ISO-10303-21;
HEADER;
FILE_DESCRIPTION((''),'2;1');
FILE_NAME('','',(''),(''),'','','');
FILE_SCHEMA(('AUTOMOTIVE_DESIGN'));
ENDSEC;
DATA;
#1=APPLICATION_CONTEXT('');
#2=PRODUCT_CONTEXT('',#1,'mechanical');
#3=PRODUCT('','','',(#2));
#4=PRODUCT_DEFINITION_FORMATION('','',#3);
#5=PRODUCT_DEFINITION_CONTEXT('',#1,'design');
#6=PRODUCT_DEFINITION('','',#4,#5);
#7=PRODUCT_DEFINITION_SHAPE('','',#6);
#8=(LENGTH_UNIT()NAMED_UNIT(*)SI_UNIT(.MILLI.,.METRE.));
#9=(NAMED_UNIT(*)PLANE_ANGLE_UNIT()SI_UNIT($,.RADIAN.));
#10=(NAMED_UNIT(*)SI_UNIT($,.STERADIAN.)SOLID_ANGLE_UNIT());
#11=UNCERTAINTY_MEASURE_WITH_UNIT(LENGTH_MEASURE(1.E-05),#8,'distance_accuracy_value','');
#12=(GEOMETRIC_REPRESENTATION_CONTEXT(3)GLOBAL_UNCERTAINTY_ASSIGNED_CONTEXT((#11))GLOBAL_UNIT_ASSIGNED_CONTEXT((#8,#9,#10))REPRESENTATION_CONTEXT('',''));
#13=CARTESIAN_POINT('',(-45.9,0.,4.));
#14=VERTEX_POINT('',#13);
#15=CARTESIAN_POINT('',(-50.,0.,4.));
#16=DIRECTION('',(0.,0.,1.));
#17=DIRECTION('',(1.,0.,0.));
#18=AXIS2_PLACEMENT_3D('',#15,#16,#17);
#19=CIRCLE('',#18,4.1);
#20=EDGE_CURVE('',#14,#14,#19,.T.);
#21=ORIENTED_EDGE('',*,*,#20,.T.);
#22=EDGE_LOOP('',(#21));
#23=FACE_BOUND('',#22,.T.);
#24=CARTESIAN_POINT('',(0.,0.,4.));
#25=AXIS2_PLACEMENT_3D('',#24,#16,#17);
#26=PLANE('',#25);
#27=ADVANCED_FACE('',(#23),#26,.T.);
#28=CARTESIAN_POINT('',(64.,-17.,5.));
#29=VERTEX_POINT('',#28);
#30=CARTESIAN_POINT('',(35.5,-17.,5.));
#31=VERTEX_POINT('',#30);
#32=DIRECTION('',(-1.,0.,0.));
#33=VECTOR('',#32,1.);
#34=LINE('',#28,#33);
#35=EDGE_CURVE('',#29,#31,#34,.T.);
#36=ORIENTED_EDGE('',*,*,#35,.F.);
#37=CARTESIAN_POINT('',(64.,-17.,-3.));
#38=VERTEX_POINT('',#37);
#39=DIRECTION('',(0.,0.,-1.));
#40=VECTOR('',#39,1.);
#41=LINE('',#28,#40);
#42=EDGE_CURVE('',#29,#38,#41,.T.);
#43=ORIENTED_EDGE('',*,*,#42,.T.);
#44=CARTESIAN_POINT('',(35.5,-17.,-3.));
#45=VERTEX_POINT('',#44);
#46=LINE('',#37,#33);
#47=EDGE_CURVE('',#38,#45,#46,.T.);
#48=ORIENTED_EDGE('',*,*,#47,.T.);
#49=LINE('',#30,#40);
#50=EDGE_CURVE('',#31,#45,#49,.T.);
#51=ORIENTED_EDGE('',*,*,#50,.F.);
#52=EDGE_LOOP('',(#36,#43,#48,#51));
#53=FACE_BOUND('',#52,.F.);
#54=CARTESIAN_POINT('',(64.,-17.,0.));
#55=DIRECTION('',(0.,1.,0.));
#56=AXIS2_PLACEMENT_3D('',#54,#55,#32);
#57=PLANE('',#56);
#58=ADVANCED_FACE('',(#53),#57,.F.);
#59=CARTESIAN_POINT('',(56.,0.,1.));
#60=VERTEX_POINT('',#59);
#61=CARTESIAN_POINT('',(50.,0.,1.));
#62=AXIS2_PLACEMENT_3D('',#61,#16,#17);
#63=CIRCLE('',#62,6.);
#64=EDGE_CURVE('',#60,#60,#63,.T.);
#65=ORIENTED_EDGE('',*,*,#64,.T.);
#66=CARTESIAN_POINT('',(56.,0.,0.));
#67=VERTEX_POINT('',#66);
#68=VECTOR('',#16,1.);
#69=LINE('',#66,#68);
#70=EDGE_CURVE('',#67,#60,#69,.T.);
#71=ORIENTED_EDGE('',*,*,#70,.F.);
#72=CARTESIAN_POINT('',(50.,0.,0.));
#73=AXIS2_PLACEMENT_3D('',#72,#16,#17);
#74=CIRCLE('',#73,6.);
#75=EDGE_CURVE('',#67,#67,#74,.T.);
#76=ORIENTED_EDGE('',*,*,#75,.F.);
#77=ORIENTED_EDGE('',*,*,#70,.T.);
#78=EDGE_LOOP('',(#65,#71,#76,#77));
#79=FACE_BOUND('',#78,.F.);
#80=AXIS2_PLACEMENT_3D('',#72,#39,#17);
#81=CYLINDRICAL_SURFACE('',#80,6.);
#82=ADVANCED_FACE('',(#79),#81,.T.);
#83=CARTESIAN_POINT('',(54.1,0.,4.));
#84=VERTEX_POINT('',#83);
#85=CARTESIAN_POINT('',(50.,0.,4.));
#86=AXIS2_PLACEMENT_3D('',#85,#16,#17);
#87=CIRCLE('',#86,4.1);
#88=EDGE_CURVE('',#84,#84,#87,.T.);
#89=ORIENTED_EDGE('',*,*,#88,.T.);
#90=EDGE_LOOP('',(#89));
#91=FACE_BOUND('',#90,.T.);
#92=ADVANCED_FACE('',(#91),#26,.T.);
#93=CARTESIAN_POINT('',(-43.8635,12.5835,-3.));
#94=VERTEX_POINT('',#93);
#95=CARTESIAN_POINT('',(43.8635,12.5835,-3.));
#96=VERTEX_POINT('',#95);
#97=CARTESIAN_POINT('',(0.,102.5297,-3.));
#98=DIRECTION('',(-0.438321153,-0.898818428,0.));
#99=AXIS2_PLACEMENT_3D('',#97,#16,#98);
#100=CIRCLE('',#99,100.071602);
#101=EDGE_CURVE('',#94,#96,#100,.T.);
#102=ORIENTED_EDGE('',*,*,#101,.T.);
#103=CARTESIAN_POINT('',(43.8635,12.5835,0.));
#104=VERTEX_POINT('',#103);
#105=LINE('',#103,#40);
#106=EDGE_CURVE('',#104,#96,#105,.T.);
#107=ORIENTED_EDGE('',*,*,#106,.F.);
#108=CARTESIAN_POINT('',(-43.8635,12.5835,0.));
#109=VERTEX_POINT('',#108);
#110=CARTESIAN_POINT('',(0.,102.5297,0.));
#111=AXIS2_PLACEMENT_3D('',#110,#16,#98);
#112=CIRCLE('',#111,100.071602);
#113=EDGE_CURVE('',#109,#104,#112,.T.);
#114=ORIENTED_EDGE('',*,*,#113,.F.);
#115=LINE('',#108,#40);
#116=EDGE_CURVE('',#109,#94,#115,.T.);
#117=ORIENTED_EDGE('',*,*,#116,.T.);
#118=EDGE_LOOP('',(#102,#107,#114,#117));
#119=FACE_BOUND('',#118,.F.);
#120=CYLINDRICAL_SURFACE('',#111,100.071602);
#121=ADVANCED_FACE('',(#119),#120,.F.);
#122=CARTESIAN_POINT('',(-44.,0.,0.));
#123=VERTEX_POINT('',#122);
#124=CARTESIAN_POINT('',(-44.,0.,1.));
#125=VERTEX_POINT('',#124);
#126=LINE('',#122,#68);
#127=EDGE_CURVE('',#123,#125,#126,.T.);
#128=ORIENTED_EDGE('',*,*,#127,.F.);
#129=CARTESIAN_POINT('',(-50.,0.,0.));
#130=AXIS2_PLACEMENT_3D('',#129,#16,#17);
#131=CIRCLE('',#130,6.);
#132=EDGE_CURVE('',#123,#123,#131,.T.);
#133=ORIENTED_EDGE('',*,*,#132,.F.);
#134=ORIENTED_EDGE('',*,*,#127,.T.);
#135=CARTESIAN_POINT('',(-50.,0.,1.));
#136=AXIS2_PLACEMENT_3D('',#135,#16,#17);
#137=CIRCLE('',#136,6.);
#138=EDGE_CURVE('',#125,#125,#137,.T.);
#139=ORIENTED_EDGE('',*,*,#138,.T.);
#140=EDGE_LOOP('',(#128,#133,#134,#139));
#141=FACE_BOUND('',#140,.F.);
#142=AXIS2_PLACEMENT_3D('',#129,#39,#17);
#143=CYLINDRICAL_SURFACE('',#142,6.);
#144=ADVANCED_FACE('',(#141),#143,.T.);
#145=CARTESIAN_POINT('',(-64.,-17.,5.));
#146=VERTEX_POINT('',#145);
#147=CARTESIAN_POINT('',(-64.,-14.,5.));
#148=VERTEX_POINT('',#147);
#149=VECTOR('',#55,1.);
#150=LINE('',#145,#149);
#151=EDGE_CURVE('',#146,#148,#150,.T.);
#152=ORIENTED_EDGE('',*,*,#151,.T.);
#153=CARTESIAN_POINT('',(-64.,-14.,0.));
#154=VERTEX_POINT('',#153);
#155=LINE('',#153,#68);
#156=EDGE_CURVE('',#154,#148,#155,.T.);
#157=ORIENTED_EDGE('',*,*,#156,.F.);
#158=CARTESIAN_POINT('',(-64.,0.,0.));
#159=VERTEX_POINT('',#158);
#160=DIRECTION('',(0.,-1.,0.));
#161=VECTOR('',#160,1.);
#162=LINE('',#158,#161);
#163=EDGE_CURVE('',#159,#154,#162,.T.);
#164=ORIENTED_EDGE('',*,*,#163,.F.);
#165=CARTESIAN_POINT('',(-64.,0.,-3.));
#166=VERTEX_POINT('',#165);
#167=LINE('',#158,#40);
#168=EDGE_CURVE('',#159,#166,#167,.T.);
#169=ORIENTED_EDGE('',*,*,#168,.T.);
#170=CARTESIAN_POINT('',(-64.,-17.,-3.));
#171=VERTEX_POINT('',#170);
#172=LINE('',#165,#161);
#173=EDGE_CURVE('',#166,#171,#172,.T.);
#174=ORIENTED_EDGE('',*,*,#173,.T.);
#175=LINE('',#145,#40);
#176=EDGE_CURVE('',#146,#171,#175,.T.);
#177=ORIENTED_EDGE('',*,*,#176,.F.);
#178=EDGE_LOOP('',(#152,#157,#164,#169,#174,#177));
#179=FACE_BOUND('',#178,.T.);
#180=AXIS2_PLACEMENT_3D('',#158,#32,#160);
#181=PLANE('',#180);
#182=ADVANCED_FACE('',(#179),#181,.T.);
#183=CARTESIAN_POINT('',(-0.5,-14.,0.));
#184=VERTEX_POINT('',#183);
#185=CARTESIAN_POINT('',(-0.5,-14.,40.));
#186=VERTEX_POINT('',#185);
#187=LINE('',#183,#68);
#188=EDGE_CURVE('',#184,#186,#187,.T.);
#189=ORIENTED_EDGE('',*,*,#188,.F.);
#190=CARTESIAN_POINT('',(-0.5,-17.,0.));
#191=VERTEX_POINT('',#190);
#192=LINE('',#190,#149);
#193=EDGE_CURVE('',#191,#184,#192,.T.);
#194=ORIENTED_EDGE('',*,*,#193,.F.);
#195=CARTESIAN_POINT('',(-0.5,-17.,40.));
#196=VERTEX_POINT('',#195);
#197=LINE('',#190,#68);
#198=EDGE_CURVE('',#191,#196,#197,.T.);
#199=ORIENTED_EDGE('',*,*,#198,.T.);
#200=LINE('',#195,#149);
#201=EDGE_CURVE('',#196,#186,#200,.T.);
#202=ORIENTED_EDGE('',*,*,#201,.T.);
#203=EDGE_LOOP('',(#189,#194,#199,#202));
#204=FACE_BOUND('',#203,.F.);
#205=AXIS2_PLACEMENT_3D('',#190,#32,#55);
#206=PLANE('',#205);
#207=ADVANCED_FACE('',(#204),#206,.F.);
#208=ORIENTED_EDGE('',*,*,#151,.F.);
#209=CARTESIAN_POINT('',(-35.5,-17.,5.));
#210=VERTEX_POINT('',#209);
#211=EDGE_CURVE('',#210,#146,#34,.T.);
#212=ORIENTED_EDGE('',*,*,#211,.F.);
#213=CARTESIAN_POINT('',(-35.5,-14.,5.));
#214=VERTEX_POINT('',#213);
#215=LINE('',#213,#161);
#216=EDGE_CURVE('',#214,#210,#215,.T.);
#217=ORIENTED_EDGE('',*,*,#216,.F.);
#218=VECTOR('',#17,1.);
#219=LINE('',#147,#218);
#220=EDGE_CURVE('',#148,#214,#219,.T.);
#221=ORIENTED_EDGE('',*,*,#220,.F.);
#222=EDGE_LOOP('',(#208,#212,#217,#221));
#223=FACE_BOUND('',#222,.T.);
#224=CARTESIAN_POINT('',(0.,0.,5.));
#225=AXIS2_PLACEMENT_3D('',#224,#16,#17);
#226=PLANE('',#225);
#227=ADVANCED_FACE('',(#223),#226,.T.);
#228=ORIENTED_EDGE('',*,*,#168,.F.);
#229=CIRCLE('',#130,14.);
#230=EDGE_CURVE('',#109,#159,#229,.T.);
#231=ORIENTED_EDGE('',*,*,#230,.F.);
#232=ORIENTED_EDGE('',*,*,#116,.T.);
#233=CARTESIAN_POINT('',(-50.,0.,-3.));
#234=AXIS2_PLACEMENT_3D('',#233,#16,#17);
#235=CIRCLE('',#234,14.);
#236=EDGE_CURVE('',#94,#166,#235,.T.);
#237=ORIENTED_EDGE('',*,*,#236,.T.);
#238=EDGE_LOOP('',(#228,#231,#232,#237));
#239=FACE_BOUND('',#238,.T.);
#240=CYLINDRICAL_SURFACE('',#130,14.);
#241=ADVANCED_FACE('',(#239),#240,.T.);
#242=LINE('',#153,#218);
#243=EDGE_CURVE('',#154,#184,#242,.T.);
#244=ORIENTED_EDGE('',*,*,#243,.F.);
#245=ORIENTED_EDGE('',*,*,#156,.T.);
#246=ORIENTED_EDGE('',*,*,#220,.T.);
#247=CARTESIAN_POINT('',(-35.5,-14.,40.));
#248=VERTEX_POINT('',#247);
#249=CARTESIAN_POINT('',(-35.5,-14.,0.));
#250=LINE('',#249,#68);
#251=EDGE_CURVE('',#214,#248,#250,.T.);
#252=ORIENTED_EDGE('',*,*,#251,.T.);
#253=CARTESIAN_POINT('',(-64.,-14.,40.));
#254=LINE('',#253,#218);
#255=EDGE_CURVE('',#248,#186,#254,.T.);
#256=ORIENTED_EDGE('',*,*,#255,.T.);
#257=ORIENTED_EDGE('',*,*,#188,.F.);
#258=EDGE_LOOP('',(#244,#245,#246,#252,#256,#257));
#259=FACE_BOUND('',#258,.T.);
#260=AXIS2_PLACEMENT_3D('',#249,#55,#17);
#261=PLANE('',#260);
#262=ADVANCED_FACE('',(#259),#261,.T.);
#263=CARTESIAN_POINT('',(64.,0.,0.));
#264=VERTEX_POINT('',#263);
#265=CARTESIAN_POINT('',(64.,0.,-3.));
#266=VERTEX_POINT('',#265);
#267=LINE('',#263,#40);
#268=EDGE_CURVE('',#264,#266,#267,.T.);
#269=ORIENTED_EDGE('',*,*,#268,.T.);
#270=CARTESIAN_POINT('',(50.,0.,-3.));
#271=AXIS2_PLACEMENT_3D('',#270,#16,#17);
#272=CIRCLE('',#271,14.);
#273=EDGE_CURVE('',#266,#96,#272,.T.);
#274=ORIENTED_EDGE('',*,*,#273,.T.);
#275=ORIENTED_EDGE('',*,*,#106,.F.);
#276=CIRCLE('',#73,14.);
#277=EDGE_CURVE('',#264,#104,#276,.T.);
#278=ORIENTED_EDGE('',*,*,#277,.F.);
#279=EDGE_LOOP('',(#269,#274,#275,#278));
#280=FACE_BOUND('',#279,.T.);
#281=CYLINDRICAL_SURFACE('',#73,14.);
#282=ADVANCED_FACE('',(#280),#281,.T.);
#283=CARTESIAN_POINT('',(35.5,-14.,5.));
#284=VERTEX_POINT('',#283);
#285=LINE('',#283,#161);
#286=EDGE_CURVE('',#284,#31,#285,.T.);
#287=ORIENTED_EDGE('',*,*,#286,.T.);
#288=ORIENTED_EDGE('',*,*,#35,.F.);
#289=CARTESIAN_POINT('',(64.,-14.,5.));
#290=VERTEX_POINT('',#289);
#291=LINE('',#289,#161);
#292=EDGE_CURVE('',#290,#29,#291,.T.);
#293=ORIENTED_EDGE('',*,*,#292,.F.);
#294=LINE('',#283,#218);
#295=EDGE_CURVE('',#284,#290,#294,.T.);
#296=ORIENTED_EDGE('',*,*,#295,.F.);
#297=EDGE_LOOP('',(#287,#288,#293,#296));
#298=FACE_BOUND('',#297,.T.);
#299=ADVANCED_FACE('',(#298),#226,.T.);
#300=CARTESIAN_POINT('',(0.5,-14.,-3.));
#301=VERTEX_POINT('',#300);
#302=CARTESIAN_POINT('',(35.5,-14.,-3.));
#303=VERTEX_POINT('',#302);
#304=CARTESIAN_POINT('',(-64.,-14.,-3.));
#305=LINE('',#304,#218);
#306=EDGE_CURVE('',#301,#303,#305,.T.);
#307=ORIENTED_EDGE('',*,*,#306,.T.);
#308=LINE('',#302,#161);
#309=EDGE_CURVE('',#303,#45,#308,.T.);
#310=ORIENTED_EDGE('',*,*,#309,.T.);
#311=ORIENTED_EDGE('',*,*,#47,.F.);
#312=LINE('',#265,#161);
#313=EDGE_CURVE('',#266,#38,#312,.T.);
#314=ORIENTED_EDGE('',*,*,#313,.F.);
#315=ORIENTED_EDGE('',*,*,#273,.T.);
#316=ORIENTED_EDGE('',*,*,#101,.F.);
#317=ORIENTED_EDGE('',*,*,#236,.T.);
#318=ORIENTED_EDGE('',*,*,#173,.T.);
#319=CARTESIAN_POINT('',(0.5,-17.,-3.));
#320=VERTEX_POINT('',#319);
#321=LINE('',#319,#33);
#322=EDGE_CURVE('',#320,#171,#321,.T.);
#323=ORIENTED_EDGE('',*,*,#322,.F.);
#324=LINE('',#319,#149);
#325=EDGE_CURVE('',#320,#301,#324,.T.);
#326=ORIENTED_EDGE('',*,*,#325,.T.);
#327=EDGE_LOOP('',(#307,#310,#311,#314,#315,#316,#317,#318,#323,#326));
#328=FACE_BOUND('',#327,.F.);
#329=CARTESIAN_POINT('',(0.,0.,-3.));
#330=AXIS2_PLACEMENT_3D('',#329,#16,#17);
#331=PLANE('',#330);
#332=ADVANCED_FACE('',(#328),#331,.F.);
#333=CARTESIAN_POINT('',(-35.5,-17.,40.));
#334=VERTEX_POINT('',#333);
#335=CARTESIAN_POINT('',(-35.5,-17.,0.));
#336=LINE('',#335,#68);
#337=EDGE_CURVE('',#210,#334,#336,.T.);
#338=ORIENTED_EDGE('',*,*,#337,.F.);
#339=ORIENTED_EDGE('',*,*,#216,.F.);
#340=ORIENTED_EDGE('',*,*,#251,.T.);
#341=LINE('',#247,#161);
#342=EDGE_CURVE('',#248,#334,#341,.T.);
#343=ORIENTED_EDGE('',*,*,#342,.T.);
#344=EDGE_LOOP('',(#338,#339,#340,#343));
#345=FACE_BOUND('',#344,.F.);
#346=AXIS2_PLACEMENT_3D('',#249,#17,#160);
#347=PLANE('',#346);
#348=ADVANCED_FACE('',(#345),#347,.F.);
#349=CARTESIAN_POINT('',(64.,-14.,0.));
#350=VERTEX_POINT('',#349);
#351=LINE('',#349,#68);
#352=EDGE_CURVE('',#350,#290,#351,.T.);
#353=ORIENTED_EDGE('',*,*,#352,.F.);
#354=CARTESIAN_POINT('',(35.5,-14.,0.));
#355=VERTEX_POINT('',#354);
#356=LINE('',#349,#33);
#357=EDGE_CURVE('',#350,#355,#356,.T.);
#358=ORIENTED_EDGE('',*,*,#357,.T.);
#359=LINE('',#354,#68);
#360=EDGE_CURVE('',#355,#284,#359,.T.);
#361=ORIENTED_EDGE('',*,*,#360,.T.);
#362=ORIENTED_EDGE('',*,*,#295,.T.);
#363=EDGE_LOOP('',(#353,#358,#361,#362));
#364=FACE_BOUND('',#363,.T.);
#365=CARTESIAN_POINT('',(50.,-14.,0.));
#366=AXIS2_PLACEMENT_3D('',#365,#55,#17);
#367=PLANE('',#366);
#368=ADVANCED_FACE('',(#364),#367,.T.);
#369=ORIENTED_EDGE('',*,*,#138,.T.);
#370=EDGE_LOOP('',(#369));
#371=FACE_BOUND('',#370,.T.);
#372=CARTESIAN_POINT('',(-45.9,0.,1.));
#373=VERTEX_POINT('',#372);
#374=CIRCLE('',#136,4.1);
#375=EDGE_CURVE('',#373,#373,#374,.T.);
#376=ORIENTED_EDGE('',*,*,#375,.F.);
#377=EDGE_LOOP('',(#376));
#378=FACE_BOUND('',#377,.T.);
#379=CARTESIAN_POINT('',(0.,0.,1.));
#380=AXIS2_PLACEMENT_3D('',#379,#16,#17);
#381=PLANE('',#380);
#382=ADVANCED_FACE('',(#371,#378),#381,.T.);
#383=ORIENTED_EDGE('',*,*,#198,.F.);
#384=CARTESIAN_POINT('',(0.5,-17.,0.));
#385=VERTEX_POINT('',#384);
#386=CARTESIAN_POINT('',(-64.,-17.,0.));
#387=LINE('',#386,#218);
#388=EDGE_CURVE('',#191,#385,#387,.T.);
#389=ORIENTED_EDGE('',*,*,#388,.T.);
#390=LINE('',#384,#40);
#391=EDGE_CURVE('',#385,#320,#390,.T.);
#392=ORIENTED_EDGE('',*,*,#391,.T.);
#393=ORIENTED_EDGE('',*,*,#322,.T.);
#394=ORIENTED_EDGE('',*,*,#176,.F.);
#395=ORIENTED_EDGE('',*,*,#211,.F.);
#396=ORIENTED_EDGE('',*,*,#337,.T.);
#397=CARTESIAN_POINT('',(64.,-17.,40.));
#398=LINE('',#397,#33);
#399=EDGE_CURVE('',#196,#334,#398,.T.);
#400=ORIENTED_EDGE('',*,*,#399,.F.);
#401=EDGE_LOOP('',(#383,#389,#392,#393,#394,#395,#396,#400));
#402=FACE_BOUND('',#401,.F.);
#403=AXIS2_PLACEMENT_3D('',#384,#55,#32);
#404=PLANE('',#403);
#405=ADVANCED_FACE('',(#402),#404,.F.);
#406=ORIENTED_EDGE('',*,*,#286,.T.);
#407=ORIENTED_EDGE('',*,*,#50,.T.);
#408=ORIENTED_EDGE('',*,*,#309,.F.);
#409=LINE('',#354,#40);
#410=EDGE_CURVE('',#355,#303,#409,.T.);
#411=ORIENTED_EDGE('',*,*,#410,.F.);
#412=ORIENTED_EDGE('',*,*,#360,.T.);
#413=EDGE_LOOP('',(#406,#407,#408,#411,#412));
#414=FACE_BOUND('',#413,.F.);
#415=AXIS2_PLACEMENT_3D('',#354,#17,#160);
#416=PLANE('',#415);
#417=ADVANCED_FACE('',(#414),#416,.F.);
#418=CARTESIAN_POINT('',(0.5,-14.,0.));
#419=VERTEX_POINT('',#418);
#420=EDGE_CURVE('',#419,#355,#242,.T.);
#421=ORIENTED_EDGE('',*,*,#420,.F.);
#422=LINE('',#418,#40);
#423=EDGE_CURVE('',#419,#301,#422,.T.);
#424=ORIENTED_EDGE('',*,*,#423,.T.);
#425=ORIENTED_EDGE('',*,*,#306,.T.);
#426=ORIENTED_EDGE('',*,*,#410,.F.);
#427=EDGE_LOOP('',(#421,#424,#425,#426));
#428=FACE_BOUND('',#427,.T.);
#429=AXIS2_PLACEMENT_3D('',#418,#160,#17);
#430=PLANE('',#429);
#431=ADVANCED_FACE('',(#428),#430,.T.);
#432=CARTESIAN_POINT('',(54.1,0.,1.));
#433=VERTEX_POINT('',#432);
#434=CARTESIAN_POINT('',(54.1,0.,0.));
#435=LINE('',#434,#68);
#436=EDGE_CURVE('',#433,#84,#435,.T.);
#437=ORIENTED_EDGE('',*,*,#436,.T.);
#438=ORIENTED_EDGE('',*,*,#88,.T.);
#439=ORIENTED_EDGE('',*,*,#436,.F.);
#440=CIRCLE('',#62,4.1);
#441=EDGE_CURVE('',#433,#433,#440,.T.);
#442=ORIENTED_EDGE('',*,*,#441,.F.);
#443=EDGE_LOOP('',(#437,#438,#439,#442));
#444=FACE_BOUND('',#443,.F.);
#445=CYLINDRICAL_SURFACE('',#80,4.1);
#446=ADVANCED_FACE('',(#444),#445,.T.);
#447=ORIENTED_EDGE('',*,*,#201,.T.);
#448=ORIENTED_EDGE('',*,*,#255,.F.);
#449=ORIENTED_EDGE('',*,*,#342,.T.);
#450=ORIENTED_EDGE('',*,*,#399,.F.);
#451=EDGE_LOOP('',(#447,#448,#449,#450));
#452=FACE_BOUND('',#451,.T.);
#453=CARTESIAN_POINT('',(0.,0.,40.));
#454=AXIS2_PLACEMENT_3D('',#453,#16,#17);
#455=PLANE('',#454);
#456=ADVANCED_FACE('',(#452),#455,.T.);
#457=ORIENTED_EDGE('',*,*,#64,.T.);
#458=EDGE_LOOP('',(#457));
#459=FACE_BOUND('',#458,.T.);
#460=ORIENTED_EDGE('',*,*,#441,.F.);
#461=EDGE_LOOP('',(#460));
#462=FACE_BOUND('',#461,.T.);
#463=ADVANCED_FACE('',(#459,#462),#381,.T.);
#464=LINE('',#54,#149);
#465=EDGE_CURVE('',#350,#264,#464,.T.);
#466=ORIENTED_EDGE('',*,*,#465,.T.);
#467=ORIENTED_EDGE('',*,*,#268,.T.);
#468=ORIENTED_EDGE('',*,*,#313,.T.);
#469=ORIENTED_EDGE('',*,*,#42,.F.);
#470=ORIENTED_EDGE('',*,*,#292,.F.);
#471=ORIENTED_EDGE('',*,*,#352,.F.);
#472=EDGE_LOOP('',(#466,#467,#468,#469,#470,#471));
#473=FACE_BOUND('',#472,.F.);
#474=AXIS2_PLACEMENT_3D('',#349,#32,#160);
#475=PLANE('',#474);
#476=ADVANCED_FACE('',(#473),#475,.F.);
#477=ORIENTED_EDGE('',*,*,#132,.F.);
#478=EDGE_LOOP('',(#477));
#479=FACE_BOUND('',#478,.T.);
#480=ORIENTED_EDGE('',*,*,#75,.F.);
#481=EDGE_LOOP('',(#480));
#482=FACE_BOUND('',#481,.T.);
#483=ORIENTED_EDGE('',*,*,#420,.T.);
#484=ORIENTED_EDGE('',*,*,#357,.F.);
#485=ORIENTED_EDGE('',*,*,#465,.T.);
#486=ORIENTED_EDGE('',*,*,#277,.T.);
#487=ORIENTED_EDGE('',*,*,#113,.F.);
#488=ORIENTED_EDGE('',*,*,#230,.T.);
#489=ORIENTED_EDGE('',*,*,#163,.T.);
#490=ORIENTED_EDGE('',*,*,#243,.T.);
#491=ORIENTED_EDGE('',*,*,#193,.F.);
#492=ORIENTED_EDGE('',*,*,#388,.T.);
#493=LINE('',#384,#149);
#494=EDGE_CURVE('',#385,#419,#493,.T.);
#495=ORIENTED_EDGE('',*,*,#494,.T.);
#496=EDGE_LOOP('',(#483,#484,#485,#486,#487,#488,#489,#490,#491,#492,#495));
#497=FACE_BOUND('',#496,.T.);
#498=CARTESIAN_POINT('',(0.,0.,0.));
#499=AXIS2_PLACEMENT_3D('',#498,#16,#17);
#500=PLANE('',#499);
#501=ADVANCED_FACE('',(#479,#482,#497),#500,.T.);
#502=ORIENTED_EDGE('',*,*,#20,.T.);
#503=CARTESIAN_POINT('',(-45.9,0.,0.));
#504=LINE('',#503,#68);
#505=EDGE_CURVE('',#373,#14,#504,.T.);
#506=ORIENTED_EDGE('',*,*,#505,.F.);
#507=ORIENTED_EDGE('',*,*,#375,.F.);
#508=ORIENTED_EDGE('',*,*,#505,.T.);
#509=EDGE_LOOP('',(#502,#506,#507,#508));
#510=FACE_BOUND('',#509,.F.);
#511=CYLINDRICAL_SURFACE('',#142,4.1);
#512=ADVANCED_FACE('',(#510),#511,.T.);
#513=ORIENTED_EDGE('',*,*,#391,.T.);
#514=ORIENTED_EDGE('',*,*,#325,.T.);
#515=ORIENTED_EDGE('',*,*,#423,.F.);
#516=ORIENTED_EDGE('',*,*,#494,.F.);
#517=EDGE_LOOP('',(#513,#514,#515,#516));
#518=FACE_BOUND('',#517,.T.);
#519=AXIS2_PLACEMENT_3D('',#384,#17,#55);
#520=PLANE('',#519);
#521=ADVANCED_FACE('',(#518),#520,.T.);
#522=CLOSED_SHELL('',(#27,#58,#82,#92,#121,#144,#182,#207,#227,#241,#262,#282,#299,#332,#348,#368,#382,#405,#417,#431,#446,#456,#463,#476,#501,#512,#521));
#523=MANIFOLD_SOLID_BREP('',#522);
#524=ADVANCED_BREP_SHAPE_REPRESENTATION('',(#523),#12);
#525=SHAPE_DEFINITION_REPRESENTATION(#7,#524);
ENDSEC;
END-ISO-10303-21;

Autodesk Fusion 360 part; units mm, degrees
sketch "Sketch1" plane through (0, 0, 0) normal (0, 0, 1) x (1, 0, 0)
  circle A0 centre (-50, 0) radius 4.1
  circle A1 centre (50, 0) radius 4.1
  circle A2 centre (50, 0) radius 14
  circle A3 centre (50, 0) radius 6
  circle A4 centre (-50, 0) radius 14
  circle A5 centre (-50, 0) radius 6
  line L0 (-64, -14) -> (64, -14)
  line L1 (-64, 0) -> (-64, -14)
  line L2 (64, 0) -> (64, -14)
  arc A6 (-43.8635, 12.5835) -> (43.8635, 12.5835) centre (0, 102.5297) ccw
  line L3 (-64, -14) -> (64, -14)
  line L4 (64, -14) -> (64, -17)
  line L5 (64, -17) -> (-64, -17)
  line L6 (-64, -17) -> (-64, -14)
  line L7 (0.5, -14) -> (35.5, -14)
  line L8 (35.5, -14) -> (35.5, -17)
  line L9 (35.5, -17) -> (0.5, -17)
  line L10 (0.5, -17) -> (0.5, -14)
  line L11 (-0.5, -14) -> (-35.5, -14)
  line L12 (-35.5, -14) -> (-35.5, -17)
  line L13 (-35.5, -17) -> (-0.5, -17)
  line L14 (-0.5, -17) -> (-0.5, -14)
  point P0 (-0.113, 2.4581)
  dimension "d1" = 8.2
  dimension "d2" = 8.2
  dimension "d3" = 50
  dimension "d4" = 50
  dimension "d5" = 28
  dimension "d6" = 12
  dimension "d7" = 28
  dimension "d8" = 12
  dimension "d9" = 14
  dimension "d10" = 3
  dimension "d11" = 3
  dimension "d12" = 35
  dimension "d13" = 35.5
  dimension "d20" = 35
  dimension "d21" = 35.5
extrude "Extrude1" add sketch "Sketch1" against normal blind 3 contours A0 | A1 | A2 | A2 L0 L2 L3 | A2 A4 L0 A6 L3 L7 L11 | L0 L3 L4 L5 L8 | A4 | A4 L0 L1 L3 | L0 L3 L5 L10 L14 | L0 L3 L5 L6 L12 | L0 L3 L5 L11 L12 L13 L14 | A3 | A5
extrude "Extrude2" add sketch "Sketch1" along normal blind 1 contours A3 | A5
extrude "Extrude3" add sketch "Sketch1" along normal blind 4 contours A0 | A1
extrude "Extrude4" add sketch "Sketch1" along normal blind 40 contours L0 L3 L5 L11 L12 L13 L14
extrude "Extrude5" add sketch "Sketch1" along normal blind 5 contours L0 L3 L4 L5 L8 | L0 L3 L5 L6 L12
